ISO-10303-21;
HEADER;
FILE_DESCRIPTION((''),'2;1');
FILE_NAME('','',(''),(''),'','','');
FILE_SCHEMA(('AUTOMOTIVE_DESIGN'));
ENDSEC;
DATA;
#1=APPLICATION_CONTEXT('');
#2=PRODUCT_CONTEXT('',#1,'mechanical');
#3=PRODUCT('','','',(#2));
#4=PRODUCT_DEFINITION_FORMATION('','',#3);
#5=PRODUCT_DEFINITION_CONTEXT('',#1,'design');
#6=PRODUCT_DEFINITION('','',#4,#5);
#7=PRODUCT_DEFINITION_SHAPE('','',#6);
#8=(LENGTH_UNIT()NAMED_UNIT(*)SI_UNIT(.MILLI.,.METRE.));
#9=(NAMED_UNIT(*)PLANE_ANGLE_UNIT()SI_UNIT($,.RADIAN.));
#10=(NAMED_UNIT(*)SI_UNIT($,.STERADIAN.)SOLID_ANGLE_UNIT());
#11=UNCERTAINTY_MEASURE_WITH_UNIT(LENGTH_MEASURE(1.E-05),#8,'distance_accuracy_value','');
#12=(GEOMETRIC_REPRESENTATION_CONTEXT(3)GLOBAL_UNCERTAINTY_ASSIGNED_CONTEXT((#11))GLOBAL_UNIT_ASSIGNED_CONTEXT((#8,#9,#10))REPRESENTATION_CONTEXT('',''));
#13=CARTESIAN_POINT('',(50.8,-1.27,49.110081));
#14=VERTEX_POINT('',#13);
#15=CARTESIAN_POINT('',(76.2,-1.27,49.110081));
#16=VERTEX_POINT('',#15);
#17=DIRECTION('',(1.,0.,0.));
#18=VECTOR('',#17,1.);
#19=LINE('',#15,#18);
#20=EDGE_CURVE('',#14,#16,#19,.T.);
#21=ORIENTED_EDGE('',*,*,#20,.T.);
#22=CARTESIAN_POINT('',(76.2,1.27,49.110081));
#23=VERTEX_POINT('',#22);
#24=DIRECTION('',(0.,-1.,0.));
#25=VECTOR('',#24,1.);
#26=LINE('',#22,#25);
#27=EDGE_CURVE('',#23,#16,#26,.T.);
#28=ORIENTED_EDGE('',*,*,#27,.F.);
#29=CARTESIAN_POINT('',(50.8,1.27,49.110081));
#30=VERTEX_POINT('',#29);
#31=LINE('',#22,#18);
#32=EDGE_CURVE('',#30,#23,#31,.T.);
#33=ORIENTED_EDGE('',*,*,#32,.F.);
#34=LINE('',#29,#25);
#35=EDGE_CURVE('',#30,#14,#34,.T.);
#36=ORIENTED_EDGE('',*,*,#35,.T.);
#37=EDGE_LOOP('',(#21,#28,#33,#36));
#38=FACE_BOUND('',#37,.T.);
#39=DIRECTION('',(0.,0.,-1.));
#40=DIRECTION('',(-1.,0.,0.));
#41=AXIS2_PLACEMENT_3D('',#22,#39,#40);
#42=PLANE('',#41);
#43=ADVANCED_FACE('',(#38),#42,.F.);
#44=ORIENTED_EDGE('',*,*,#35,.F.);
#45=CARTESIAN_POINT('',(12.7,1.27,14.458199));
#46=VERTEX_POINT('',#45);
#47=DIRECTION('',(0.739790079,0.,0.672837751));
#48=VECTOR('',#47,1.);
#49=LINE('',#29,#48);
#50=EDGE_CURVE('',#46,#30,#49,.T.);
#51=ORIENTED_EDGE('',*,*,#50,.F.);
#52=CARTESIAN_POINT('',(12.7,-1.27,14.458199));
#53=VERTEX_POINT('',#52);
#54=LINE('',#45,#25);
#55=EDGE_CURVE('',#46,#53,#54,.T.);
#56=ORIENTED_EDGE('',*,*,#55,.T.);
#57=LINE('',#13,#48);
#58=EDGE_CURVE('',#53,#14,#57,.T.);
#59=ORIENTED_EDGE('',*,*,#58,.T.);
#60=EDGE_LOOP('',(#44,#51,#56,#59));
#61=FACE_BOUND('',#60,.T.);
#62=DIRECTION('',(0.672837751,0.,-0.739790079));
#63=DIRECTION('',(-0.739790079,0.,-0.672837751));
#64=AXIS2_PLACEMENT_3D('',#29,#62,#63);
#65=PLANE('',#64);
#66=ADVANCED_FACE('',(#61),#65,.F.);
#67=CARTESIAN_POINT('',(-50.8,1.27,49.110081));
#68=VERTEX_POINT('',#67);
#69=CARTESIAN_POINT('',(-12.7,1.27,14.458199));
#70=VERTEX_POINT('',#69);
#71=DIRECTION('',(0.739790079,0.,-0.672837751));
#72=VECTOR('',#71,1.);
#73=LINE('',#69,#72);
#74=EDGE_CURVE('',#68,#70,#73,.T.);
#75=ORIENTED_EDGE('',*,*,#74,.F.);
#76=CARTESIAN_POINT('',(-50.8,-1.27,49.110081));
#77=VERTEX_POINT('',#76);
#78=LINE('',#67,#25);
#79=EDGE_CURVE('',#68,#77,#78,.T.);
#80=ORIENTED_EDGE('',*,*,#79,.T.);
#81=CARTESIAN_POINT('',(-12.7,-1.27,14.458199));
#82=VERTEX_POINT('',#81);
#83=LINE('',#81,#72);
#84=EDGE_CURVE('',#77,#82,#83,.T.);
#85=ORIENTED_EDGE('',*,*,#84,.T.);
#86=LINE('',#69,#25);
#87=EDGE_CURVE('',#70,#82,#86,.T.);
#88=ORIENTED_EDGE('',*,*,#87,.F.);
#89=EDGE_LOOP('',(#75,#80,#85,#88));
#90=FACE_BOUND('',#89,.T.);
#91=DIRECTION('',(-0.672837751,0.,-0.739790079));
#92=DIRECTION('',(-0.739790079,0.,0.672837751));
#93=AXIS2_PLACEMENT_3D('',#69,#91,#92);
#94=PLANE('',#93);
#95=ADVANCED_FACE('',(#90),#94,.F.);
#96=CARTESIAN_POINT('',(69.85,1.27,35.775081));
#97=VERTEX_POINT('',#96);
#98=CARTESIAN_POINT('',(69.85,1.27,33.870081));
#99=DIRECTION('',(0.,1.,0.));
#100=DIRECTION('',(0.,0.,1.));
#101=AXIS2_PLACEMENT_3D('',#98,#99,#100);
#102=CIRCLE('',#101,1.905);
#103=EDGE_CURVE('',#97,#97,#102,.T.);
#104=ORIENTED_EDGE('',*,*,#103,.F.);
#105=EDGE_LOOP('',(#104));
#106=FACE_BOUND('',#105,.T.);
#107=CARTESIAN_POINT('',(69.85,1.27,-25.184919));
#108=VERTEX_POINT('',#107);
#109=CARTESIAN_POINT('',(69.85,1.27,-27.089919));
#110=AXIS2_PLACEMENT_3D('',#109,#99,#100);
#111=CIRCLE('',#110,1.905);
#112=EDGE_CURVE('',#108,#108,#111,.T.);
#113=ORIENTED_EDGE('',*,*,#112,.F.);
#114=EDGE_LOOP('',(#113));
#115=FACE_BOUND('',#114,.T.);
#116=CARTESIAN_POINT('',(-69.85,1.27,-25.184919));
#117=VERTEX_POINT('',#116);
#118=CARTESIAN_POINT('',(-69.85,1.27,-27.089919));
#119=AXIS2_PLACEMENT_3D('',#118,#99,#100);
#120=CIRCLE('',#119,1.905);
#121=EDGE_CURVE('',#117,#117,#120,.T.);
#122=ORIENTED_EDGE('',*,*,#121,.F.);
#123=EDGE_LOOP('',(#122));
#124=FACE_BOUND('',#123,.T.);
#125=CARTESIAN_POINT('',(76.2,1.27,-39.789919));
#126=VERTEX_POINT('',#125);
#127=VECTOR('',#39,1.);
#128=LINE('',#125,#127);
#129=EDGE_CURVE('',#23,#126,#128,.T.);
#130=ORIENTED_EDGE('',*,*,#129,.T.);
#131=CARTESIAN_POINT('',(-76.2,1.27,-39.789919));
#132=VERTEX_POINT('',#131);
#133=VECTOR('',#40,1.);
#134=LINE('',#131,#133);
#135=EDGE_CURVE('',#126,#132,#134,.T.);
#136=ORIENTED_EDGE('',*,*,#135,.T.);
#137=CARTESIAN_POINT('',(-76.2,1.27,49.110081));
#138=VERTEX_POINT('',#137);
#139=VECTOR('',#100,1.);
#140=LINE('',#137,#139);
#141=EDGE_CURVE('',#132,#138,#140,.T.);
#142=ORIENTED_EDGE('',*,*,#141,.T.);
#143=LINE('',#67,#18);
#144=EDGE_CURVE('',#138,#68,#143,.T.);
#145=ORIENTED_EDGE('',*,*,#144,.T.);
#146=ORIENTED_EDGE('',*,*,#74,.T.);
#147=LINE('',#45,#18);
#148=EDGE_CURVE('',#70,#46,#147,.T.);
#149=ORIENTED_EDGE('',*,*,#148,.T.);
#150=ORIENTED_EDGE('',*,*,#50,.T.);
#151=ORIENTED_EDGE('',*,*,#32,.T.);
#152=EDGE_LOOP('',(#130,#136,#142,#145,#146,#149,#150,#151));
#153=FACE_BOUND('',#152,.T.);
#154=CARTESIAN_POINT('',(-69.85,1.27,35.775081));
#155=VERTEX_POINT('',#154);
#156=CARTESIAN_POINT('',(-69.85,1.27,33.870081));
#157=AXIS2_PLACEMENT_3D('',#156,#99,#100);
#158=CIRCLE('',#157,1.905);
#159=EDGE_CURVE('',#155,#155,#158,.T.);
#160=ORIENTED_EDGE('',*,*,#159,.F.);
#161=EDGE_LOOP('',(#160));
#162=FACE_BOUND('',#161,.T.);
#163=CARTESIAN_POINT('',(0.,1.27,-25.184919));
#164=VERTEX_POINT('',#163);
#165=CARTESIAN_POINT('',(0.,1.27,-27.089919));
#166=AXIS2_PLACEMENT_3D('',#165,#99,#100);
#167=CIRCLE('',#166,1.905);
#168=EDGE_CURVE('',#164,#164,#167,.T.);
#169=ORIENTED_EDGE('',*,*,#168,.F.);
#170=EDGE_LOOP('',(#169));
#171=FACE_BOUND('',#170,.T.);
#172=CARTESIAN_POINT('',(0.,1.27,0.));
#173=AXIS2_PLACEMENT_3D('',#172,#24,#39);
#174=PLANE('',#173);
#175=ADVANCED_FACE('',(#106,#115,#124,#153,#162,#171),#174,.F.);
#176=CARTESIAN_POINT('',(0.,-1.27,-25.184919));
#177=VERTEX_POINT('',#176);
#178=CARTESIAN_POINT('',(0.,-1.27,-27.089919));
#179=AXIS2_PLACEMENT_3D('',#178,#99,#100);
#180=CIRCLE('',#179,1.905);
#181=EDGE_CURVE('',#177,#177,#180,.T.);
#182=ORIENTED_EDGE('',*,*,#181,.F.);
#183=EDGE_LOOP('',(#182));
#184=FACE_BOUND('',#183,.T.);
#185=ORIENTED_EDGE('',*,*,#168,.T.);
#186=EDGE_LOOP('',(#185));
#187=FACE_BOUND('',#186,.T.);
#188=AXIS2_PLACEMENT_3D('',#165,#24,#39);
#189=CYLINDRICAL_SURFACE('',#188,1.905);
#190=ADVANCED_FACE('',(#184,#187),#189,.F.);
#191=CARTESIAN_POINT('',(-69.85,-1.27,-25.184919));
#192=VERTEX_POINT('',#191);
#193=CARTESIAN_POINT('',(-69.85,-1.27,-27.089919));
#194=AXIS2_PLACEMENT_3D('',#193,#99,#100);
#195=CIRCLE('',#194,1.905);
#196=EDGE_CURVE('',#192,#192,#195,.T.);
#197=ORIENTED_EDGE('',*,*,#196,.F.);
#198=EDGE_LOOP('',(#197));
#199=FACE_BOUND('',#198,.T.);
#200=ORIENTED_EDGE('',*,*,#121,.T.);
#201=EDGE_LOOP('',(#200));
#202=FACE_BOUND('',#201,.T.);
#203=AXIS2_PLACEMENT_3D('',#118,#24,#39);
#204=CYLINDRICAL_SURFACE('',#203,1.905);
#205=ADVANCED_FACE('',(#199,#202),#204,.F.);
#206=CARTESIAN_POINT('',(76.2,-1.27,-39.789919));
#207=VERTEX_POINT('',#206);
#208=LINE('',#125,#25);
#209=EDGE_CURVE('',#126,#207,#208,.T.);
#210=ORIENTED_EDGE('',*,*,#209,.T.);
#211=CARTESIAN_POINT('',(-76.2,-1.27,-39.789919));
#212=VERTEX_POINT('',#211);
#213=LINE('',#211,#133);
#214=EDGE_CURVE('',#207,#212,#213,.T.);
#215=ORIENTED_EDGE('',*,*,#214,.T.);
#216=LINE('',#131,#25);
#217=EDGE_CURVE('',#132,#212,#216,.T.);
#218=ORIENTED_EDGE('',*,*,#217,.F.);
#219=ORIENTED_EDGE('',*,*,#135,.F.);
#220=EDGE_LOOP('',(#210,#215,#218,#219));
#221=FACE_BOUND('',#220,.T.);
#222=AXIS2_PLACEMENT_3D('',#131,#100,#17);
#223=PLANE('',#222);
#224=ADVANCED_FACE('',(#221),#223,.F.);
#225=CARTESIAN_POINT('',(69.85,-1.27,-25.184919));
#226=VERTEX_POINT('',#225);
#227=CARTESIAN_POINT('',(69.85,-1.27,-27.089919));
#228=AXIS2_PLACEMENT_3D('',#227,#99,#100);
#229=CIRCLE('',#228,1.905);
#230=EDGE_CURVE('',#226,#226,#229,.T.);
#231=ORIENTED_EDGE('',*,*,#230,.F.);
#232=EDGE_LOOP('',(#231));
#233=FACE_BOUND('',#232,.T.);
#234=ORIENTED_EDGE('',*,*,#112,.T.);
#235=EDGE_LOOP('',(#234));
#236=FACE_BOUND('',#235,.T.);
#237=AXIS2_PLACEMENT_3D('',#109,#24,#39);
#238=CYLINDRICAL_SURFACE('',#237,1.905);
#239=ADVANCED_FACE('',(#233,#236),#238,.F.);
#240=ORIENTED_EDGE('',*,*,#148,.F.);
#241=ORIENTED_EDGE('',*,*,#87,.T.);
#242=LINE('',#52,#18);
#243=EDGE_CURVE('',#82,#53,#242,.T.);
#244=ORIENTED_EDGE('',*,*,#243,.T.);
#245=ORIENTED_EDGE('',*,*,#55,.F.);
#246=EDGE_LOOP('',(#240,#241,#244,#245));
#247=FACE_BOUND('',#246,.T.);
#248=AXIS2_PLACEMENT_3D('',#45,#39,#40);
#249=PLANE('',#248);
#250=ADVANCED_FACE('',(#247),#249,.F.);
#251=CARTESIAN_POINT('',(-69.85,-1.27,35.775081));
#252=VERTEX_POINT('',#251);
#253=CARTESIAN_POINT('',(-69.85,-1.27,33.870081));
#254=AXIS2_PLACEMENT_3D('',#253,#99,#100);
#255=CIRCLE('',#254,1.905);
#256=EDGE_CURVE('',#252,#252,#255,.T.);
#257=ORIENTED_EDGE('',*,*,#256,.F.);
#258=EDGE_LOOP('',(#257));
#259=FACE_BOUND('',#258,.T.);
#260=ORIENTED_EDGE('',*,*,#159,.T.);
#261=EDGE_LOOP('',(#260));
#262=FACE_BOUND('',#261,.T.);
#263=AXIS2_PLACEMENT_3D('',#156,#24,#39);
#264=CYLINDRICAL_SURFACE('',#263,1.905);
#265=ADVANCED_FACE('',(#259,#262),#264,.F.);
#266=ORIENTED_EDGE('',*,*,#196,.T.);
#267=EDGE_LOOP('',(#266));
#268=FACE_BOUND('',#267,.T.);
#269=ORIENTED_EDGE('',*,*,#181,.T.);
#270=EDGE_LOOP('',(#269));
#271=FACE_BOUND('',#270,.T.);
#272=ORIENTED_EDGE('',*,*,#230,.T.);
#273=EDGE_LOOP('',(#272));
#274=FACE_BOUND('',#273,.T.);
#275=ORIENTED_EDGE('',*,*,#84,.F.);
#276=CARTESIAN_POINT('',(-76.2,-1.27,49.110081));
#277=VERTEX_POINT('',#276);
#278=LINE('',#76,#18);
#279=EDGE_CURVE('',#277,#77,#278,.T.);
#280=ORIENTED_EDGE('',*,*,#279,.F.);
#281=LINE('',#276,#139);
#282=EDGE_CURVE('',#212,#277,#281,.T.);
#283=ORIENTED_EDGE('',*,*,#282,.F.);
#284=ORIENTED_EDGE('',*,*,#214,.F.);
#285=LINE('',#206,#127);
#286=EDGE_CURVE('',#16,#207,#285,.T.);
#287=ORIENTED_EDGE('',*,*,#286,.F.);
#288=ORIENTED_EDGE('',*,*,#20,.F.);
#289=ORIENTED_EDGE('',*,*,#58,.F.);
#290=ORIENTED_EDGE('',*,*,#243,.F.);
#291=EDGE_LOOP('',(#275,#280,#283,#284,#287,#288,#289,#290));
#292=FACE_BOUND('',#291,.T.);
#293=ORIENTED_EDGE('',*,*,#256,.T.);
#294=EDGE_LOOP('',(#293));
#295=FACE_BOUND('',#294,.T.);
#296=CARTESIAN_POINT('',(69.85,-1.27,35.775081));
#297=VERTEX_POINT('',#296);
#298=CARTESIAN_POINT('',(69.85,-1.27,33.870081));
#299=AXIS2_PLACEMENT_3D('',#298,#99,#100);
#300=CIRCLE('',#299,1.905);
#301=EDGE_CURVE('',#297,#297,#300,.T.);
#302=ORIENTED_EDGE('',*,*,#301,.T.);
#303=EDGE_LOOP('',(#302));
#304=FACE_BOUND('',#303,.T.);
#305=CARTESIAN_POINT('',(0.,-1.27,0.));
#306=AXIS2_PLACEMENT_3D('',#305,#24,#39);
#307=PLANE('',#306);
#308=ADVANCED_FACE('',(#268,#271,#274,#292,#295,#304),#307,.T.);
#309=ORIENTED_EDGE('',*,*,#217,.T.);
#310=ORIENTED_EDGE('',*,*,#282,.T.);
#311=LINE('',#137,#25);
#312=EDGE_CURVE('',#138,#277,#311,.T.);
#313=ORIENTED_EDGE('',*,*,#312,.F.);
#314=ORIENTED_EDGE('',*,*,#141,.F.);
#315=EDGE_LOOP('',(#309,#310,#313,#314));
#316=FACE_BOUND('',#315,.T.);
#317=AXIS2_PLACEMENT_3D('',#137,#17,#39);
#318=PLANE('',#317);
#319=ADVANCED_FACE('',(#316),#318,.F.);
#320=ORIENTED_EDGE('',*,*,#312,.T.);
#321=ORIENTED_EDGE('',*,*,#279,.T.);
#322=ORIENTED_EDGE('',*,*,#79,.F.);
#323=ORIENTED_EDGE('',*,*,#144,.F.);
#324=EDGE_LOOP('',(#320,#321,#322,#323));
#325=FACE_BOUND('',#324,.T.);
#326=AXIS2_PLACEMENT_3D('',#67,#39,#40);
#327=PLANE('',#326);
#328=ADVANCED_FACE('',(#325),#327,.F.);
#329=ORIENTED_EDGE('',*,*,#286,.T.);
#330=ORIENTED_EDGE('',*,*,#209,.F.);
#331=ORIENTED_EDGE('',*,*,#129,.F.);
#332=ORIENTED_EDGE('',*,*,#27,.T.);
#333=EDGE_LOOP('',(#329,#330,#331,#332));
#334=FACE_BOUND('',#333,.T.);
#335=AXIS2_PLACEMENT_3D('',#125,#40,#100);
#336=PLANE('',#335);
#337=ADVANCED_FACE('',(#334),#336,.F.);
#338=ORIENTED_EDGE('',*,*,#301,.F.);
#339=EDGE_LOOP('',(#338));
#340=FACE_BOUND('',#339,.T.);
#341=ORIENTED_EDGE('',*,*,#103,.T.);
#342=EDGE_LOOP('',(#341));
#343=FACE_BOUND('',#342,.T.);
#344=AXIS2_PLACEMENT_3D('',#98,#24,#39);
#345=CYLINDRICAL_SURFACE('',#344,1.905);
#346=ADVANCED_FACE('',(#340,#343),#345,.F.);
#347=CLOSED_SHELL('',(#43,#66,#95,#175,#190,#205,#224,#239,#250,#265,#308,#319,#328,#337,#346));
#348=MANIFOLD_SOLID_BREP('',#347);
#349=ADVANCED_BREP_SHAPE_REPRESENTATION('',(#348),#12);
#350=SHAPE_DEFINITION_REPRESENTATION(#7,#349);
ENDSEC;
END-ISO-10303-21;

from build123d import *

# Parameters (mm, degrees)
SKETCH1_R           = 1.905
BOSS_EXTRUDE1_DEPTH = 1.27


with BuildPart() as part:
    # Sketch1 → Boss-Extrude1 (new, symmetric)
    with BuildSketch(Plane(origin=(0, 0, 0), x_dir=(1, 0, 0), z_dir=(0, 1, 0))):
        Polygon((-76.2, 39.789919355), (76.2, 39.789919355), (76.2, -49.110080645), (50.8, -49.110080645), (12.7, -14.458198925), (-12.7, -14.458198925), (-50.8, -49.110080645), (-76.2, -49.110080645), align=None)
        with Locations(Location((69.85, 27.089919355, 0), (0, 0, 270))):
            Circle(SKETCH1_R, mode=Mode.SUBTRACT)
        with Locations(Location((0, 27.089919355, 0), (0, 0, 270))):
            Circle(SKETCH1_R, mode=Mode.SUBTRACT)
        with Locations(Location((-69.85, 27.089919355, 0), (0, 0, 270))):
            Circle(SKETCH1_R, mode=Mode.SUBTRACT)
        with Locations(Location((69.85, -33.870080645, 0), (0, 0, 270))):
            Circle(SKETCH1_R, mode=Mode.SUBTRACT)
        with Locations(Location((-69.85, -33.870080645, 0), (0, 0, 270))):
            Circle(SKETCH1_R, mode=Mode.SUBTRACT)
    extrude(amount=BOSS_EXTRUDE1_DEPTH, both=True)


solid = part.part
